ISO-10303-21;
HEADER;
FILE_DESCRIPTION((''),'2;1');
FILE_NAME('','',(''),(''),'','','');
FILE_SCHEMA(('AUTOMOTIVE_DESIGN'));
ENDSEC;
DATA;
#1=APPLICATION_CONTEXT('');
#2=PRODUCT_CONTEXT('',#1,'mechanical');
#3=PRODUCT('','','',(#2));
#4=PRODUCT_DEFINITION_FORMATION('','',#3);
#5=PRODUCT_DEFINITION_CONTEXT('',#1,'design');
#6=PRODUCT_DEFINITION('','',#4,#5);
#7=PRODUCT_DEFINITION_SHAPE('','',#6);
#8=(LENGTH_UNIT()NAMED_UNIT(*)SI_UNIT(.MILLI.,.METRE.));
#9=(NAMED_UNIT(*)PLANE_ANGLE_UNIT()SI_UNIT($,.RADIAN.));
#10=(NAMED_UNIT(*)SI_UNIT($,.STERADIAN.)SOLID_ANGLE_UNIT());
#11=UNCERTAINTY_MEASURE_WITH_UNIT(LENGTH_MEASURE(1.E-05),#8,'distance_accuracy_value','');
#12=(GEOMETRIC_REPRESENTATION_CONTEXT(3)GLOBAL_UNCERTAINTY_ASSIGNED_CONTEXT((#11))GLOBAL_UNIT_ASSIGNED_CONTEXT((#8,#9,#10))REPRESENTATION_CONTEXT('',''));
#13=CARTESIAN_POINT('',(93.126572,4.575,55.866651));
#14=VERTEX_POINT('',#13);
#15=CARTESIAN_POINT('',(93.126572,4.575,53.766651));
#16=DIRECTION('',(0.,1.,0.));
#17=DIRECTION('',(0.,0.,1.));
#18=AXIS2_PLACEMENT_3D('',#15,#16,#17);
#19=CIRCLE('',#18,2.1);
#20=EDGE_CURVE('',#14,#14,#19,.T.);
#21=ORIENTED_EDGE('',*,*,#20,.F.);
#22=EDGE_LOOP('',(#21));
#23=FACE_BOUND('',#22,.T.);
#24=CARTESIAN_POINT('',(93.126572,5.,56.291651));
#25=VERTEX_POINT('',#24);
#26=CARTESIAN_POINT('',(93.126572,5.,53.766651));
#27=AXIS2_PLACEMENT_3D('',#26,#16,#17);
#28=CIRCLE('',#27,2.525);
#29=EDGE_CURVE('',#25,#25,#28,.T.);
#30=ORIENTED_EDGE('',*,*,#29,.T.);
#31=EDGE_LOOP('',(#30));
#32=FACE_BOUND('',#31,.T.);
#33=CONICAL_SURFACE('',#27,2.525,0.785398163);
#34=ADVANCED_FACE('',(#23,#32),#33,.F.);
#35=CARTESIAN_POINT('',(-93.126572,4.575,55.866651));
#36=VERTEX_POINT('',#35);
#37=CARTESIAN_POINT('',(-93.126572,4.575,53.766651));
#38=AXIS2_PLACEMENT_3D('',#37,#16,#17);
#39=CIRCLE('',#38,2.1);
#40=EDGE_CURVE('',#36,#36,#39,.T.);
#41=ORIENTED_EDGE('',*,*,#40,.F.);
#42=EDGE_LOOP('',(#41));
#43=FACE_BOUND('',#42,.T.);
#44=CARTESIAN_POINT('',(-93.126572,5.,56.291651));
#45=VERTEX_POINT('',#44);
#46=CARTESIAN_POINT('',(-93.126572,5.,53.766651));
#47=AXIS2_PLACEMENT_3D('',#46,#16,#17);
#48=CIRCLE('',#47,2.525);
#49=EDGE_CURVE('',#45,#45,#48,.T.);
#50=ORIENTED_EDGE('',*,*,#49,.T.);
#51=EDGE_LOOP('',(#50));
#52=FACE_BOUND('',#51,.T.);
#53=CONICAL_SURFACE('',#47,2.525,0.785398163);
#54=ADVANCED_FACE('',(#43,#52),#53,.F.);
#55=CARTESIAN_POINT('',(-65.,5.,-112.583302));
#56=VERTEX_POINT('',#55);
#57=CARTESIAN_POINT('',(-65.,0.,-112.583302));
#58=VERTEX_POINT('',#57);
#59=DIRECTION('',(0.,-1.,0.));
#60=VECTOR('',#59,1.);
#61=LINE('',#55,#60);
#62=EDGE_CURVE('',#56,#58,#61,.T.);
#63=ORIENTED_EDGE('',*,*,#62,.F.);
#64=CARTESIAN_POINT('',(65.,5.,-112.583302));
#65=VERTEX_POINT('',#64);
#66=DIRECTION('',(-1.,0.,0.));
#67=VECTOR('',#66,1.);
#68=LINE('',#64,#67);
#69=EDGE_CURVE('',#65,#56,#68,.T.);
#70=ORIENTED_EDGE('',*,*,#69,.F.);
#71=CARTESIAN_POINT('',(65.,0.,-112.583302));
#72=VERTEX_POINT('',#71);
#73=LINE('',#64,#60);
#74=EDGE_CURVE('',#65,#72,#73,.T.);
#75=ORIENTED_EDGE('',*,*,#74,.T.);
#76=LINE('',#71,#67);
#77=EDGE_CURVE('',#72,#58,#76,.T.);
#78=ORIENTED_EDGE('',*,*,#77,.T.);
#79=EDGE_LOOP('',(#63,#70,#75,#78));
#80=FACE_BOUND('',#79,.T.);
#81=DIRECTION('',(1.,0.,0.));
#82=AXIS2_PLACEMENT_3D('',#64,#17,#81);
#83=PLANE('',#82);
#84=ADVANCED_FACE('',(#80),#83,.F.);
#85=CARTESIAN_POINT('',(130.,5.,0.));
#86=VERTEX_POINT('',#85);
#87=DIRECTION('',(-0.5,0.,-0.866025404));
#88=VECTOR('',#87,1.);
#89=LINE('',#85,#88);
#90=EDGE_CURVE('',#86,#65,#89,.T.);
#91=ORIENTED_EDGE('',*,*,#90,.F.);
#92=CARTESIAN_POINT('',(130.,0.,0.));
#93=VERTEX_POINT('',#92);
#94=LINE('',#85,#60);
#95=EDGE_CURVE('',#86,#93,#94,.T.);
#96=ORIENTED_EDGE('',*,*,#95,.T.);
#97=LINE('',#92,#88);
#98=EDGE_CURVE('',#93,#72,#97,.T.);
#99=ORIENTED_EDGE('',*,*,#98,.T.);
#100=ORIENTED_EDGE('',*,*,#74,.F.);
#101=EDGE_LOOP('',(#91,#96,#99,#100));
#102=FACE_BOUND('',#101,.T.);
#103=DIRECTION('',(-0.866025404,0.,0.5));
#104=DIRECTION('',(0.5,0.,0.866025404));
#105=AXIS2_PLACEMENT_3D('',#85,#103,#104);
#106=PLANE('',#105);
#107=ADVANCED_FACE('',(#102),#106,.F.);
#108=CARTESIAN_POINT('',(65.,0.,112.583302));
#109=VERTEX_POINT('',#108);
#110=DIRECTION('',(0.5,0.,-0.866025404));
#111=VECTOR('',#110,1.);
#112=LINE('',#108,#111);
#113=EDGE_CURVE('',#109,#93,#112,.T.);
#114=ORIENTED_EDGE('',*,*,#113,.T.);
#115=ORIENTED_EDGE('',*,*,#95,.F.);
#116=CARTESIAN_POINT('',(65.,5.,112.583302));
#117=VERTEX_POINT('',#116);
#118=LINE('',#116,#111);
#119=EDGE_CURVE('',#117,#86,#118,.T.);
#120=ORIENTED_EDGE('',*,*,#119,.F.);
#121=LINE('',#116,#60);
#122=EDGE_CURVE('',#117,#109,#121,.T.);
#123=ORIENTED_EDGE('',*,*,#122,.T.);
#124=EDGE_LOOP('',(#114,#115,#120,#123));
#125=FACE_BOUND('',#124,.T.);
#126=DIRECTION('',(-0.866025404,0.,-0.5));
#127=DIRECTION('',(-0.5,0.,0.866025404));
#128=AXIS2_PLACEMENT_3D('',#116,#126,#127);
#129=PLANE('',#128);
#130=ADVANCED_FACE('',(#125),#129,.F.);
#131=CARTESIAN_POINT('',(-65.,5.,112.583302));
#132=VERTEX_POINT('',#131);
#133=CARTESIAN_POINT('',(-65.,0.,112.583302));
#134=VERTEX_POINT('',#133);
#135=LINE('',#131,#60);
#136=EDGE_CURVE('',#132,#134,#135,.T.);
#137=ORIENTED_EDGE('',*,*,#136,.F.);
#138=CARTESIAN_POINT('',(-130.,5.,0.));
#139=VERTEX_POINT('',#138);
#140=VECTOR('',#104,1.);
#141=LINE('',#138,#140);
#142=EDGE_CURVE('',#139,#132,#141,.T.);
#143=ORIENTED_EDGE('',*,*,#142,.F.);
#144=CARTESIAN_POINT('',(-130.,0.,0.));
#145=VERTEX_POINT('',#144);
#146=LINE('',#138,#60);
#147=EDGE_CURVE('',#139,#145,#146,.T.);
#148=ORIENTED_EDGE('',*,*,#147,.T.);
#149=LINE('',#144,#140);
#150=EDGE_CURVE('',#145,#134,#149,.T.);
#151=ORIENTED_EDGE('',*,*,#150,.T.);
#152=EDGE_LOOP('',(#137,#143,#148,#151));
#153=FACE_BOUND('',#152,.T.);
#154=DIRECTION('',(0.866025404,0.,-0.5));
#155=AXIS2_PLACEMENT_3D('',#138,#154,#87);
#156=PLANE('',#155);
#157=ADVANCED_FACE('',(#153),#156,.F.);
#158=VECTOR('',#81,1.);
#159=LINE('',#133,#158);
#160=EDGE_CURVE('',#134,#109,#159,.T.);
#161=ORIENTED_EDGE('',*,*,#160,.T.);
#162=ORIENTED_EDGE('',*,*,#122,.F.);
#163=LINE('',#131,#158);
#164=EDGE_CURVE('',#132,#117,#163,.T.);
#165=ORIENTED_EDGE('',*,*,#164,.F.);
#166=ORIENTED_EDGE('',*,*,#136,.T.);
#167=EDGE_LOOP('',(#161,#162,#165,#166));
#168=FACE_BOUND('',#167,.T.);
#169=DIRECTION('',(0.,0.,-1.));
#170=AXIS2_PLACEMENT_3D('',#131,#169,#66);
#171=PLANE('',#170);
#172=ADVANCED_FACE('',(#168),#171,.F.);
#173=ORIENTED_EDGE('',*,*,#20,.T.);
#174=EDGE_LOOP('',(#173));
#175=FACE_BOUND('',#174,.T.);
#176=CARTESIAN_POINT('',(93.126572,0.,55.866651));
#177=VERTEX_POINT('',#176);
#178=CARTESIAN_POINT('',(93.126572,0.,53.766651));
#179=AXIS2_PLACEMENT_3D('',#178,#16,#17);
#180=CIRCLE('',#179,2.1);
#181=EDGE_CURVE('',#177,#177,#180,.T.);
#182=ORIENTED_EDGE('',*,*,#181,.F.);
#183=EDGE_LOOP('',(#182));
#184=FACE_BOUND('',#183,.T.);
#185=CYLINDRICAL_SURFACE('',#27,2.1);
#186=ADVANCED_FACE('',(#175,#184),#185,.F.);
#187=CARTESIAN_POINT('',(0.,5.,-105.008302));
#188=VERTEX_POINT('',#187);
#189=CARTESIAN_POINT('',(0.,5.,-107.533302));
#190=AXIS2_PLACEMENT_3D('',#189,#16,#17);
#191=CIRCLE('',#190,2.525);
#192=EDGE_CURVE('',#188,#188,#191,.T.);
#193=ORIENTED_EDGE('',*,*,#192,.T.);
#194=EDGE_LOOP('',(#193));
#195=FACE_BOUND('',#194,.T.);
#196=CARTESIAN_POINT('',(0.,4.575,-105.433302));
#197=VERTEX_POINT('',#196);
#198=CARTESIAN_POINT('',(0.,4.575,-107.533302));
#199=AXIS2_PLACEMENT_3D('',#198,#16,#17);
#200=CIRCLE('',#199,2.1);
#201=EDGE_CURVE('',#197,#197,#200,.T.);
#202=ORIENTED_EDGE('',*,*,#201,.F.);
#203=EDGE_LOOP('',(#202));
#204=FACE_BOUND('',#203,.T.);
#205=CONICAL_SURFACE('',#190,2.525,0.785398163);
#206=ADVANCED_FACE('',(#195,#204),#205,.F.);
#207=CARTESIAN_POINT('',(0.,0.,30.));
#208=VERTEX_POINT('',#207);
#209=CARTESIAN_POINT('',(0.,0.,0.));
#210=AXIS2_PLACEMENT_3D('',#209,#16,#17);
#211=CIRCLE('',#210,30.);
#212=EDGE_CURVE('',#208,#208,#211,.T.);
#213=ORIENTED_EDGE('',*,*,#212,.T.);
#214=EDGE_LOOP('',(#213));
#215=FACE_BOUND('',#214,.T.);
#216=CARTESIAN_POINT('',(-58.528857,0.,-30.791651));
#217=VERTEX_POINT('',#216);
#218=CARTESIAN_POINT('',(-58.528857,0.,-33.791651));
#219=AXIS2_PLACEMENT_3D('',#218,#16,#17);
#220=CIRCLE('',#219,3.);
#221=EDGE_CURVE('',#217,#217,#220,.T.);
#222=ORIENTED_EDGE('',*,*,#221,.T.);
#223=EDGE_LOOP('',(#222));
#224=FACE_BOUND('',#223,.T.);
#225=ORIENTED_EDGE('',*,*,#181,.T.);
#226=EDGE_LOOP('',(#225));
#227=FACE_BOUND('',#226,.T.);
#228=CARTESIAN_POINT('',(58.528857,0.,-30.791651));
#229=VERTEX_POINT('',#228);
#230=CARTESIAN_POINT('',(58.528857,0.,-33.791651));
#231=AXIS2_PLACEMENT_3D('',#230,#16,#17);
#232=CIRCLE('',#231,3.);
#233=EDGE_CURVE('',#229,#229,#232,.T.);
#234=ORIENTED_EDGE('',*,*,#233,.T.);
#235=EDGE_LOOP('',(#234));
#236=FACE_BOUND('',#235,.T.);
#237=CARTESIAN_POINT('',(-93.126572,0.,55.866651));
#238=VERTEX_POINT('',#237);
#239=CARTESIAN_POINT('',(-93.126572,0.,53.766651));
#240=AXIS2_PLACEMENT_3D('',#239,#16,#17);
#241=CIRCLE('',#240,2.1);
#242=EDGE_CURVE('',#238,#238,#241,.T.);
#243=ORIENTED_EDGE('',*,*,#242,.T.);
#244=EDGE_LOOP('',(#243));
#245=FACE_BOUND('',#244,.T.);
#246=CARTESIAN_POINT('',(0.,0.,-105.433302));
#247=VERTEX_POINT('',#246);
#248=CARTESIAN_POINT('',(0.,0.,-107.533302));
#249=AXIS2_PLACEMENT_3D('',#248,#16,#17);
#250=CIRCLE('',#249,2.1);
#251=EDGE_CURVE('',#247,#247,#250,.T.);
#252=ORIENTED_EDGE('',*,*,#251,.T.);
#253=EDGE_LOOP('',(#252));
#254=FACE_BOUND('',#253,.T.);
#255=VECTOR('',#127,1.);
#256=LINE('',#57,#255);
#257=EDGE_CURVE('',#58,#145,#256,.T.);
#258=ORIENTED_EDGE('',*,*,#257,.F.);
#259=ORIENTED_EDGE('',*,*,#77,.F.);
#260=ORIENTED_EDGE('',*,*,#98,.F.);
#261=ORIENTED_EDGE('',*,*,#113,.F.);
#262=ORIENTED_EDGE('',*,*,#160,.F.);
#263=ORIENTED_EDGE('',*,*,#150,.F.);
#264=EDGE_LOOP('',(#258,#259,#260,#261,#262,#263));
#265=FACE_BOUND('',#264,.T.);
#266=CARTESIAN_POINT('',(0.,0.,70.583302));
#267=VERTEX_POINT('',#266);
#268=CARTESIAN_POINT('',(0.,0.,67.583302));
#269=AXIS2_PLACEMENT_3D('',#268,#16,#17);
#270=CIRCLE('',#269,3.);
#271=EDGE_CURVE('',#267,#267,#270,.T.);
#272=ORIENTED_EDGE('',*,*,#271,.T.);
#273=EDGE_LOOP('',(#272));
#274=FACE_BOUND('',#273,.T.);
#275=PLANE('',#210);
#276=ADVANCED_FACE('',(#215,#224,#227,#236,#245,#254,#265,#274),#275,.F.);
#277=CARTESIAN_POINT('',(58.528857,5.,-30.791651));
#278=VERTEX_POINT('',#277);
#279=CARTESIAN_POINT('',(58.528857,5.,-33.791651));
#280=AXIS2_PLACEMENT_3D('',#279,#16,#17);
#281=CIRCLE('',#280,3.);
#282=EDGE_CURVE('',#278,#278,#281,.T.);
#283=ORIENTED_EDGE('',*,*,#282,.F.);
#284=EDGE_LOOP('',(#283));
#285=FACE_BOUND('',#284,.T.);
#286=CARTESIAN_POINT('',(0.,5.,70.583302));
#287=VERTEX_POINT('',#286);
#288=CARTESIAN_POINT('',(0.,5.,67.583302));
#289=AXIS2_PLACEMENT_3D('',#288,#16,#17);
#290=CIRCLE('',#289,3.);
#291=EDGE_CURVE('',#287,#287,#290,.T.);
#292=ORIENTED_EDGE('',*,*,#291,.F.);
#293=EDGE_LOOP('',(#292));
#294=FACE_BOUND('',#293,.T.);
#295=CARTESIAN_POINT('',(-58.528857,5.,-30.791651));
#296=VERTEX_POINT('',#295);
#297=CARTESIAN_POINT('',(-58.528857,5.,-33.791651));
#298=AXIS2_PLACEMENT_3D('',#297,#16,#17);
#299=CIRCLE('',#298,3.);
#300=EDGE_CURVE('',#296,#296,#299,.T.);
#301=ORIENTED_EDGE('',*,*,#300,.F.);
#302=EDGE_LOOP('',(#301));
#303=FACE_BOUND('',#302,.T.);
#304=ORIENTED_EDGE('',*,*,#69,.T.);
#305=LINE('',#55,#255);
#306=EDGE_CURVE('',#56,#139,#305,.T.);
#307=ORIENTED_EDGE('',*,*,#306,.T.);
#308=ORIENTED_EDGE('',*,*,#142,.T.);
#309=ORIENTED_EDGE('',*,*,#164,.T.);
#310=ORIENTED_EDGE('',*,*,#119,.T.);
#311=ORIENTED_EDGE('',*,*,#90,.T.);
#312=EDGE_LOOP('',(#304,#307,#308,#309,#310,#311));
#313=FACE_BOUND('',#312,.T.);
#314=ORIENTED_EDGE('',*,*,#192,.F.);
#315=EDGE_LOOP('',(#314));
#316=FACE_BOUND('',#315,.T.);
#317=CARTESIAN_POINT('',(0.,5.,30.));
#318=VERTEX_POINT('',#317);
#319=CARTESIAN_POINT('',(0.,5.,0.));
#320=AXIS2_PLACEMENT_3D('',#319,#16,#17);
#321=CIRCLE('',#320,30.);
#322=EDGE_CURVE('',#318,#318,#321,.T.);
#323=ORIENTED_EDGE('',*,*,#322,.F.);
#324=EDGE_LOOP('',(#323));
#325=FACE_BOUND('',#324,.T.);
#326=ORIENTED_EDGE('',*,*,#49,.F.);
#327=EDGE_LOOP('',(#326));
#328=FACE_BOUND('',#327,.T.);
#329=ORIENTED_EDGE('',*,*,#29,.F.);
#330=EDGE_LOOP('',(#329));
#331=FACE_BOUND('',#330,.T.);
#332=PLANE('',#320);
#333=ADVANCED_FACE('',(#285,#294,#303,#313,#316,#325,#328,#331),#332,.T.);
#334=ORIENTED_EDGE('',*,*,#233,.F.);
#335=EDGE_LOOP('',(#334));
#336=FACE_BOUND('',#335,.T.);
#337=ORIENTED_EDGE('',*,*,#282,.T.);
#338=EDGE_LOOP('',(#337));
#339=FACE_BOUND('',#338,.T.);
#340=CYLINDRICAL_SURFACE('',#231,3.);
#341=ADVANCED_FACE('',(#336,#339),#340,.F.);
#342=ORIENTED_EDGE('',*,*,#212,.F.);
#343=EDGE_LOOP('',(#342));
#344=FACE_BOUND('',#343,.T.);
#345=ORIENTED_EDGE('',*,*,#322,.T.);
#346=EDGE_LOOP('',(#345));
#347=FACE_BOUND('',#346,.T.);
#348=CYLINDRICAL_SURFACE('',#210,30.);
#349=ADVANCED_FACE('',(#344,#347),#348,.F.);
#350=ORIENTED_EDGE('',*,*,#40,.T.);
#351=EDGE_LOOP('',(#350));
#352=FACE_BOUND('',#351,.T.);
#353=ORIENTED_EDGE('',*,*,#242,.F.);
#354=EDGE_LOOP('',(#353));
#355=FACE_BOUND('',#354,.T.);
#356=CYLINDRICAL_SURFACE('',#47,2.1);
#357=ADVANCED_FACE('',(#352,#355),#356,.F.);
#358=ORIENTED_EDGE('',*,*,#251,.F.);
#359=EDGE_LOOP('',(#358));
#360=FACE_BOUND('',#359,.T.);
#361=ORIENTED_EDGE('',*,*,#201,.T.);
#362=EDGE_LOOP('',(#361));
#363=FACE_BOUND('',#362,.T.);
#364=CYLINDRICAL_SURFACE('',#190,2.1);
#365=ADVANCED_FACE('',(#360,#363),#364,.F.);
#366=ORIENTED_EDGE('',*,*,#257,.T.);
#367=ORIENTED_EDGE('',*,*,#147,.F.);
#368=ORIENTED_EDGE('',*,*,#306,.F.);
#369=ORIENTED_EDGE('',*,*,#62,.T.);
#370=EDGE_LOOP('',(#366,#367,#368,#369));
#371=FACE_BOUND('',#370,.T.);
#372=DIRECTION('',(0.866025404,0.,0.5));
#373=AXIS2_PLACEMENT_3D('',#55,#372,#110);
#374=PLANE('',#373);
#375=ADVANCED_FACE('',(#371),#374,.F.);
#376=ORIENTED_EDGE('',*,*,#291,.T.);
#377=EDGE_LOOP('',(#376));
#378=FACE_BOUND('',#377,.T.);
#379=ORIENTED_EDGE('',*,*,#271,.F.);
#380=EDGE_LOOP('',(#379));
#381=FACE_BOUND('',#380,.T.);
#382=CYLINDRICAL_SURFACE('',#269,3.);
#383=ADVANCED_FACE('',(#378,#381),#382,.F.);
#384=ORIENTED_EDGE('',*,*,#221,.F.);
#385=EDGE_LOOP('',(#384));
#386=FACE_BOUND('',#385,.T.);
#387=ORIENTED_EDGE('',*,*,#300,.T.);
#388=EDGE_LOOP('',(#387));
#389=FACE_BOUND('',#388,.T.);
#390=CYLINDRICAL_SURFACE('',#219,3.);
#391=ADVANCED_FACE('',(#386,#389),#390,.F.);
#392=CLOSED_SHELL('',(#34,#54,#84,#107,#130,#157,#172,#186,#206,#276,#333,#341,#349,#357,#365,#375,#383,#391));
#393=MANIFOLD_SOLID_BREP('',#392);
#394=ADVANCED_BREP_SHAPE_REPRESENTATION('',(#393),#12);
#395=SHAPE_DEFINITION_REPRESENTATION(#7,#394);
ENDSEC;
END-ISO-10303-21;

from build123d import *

# Parameters (mm, degrees)
EXTRUDE_1_DEPTH              = 5
SKETCH_2_R                   = 30
CUT_EXTRUDE_1_DEPTH          = 5
SKETCH_3_R                   = 3
CUT_EXTRUDE_2_DEPTH          = 5
HOLE_WIZARD_M5_3_D           = 4.2
HOLE_WIZARD_M5_3_CSINK_D     = 5.05
HOLE_WIZARD_M5_3_CSINK_ANGLE = 90


with BuildPart() as part:
    # 草图1 → 凸台-拉伸1 (new body)
    with BuildSketch(Plane(origin=(0, 0, 0), x_dir=(1, 0, 0), z_dir=(0, 1, 0))):
        Polygon((130, 0), (65, 112.583302492), (-65, 112.583302492), (-130, 0), (-65, -112.583302492), (65, -112.583302492), align=None)
    extrude(amount=EXTRUDE_1_DEPTH)

    # 草图2 → 切除-拉伸1 (cut)
    with BuildSketch(Plane(origin=(0, 5, 0), x_dir=(1, 0, 0), z_dir=(0, 1, 0))):
        with Locations(Location((0, 0, 0), (0, 0, 270))):
            Circle(SKETCH_2_R)
    extrude(amount=-CUT_EXTRUDE_1_DEPTH, mode=Mode.SUBTRACT)

    # 草图3 → 切除-拉伸2 (cut)
    with BuildSketch(Plane(origin=(0, 5, 0), x_dir=(1, 0, 0), z_dir=(0, 1, 0))):
        with Locations(Location((-58.52885683, 33.791651246, 0), (0, 0, 270))):
            Circle(SKETCH_3_R)
        with Locations(Location((58.52885683, 33.791651246, 0), (0, 0, 270))):
            Circle(SKETCH_3_R)
        with Locations(Location((0, -67.583302492, 0), (0, 0, 270))):
            Circle(SKETCH_3_R)
    extrude(amount=-CUT_EXTRUDE_2_DEPTH, mode=Mode.SUBTRACT)

    # M5 螺纹孔3 (through all)
    with Locations(Plane(origin=(0, 5, 0), x_dir=(1, 0, 0), z_dir=(0, 1, 0))):
        with Locations((0, 107.533302492), (-93.126571711, -53.766651246), (93.126571711, -53.766651246)):
            CounterSinkHole(HOLE_WIZARD_M5_3_D / 2, HOLE_WIZARD_M5_3_CSINK_D / 2, counter_sink_angle=HOLE_WIZARD_M5_3_CSINK_ANGLE)


solid = part.part
